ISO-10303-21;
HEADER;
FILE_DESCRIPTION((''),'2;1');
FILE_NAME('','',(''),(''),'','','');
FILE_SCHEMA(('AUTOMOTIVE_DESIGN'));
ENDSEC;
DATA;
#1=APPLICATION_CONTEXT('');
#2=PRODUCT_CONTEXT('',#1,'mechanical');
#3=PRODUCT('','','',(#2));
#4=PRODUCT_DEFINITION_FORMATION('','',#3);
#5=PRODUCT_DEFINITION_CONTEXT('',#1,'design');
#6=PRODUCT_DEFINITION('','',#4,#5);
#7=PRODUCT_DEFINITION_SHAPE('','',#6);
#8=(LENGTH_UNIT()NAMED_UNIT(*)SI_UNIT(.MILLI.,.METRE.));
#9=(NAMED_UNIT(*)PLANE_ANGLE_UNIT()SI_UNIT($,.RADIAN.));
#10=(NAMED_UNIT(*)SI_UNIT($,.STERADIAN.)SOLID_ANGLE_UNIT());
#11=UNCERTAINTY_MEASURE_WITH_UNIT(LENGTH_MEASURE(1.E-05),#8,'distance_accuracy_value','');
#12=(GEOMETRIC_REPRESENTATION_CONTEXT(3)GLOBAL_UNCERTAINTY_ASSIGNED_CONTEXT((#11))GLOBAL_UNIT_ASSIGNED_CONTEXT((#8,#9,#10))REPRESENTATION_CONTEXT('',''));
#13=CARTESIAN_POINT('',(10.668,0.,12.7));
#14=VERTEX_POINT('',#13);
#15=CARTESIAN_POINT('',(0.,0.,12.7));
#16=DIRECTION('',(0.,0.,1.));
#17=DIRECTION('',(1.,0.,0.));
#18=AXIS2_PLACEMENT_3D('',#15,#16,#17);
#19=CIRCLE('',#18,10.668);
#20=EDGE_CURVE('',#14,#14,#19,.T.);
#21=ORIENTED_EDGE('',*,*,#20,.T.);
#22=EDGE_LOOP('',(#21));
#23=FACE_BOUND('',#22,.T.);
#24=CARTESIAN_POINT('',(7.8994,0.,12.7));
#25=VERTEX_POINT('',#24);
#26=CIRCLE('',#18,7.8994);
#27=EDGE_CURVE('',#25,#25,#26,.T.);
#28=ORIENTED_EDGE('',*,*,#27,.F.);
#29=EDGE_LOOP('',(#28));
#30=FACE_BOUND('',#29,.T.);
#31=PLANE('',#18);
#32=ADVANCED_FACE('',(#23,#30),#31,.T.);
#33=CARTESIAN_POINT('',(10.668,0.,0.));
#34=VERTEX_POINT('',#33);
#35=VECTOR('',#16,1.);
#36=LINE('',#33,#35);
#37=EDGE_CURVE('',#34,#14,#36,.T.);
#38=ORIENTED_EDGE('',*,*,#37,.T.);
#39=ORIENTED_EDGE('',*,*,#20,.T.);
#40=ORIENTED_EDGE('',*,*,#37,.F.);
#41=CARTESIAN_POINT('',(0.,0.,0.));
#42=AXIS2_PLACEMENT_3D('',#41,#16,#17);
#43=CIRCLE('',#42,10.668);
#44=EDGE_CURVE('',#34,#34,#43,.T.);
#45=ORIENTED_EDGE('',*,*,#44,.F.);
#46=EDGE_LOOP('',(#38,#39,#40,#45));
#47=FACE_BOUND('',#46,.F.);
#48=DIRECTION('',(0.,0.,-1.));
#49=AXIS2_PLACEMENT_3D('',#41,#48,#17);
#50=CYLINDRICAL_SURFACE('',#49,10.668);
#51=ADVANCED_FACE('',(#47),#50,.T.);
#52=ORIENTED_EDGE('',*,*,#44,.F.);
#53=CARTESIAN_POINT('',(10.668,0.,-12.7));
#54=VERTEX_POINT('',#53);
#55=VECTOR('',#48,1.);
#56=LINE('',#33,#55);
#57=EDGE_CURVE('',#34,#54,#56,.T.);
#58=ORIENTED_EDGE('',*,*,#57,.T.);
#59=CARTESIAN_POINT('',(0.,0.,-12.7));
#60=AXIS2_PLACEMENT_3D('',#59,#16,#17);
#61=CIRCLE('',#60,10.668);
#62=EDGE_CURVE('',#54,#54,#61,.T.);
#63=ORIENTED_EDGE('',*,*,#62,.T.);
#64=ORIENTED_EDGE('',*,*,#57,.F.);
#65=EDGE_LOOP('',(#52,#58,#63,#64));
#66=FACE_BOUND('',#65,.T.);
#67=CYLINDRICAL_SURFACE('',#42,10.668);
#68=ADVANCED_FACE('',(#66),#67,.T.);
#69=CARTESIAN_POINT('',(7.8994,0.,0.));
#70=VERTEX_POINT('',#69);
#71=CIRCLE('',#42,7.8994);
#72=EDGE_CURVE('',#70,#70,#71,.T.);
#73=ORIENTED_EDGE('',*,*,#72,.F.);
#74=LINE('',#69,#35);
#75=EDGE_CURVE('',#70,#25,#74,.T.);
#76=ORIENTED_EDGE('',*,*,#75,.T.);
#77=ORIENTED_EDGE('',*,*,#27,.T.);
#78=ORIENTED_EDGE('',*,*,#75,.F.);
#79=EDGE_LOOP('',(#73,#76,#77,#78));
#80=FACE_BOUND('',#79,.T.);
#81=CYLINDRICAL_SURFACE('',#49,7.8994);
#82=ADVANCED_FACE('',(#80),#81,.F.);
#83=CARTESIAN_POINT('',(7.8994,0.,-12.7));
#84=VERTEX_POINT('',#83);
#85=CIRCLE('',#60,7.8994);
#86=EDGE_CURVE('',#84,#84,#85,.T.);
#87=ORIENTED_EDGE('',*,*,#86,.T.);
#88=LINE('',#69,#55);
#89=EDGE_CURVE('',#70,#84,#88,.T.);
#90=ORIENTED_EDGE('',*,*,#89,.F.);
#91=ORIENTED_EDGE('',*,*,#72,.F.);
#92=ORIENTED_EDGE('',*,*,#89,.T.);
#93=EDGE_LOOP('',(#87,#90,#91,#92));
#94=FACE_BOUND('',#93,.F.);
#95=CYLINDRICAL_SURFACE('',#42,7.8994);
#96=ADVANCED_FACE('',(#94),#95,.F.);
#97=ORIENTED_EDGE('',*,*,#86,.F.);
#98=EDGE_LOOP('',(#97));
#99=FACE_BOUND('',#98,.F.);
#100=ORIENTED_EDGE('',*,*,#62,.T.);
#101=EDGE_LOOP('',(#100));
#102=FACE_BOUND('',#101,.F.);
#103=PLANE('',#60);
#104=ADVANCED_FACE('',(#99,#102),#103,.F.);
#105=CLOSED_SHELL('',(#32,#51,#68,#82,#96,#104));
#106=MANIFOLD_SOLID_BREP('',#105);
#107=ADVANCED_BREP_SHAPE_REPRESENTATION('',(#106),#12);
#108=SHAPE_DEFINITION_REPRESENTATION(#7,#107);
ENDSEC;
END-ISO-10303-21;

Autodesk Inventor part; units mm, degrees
ref_plane "YZ Plane" through (0, 0, 0) normal (1, 0, 0) x (0, 1, 0)
ref_plane "XZ Plane" through (0, 0, 0) normal (0, 1, 0) x (-1, 0, 0)
ref_plane "XY Plane" through (0, 0, 0) normal (0, 0, 1) x (1, 0, 0)
sketch "Sketch1" plane through (0, 0, 0) normal (0, 0, 1) x (1, 0, 0)
  circle A0 centre (0, 0) radius 7.8994
  circle A1 centre (0, 0) radius 10.668
  dimension "d0" = 15.7988
  dimension "d2" = 21.336
extrude "Extrusion1" add sketch "Sketch1" along normal mid plane 25.4
properties part number "PVC Spacer 500 Sched 40" material "PVC-Piping"
